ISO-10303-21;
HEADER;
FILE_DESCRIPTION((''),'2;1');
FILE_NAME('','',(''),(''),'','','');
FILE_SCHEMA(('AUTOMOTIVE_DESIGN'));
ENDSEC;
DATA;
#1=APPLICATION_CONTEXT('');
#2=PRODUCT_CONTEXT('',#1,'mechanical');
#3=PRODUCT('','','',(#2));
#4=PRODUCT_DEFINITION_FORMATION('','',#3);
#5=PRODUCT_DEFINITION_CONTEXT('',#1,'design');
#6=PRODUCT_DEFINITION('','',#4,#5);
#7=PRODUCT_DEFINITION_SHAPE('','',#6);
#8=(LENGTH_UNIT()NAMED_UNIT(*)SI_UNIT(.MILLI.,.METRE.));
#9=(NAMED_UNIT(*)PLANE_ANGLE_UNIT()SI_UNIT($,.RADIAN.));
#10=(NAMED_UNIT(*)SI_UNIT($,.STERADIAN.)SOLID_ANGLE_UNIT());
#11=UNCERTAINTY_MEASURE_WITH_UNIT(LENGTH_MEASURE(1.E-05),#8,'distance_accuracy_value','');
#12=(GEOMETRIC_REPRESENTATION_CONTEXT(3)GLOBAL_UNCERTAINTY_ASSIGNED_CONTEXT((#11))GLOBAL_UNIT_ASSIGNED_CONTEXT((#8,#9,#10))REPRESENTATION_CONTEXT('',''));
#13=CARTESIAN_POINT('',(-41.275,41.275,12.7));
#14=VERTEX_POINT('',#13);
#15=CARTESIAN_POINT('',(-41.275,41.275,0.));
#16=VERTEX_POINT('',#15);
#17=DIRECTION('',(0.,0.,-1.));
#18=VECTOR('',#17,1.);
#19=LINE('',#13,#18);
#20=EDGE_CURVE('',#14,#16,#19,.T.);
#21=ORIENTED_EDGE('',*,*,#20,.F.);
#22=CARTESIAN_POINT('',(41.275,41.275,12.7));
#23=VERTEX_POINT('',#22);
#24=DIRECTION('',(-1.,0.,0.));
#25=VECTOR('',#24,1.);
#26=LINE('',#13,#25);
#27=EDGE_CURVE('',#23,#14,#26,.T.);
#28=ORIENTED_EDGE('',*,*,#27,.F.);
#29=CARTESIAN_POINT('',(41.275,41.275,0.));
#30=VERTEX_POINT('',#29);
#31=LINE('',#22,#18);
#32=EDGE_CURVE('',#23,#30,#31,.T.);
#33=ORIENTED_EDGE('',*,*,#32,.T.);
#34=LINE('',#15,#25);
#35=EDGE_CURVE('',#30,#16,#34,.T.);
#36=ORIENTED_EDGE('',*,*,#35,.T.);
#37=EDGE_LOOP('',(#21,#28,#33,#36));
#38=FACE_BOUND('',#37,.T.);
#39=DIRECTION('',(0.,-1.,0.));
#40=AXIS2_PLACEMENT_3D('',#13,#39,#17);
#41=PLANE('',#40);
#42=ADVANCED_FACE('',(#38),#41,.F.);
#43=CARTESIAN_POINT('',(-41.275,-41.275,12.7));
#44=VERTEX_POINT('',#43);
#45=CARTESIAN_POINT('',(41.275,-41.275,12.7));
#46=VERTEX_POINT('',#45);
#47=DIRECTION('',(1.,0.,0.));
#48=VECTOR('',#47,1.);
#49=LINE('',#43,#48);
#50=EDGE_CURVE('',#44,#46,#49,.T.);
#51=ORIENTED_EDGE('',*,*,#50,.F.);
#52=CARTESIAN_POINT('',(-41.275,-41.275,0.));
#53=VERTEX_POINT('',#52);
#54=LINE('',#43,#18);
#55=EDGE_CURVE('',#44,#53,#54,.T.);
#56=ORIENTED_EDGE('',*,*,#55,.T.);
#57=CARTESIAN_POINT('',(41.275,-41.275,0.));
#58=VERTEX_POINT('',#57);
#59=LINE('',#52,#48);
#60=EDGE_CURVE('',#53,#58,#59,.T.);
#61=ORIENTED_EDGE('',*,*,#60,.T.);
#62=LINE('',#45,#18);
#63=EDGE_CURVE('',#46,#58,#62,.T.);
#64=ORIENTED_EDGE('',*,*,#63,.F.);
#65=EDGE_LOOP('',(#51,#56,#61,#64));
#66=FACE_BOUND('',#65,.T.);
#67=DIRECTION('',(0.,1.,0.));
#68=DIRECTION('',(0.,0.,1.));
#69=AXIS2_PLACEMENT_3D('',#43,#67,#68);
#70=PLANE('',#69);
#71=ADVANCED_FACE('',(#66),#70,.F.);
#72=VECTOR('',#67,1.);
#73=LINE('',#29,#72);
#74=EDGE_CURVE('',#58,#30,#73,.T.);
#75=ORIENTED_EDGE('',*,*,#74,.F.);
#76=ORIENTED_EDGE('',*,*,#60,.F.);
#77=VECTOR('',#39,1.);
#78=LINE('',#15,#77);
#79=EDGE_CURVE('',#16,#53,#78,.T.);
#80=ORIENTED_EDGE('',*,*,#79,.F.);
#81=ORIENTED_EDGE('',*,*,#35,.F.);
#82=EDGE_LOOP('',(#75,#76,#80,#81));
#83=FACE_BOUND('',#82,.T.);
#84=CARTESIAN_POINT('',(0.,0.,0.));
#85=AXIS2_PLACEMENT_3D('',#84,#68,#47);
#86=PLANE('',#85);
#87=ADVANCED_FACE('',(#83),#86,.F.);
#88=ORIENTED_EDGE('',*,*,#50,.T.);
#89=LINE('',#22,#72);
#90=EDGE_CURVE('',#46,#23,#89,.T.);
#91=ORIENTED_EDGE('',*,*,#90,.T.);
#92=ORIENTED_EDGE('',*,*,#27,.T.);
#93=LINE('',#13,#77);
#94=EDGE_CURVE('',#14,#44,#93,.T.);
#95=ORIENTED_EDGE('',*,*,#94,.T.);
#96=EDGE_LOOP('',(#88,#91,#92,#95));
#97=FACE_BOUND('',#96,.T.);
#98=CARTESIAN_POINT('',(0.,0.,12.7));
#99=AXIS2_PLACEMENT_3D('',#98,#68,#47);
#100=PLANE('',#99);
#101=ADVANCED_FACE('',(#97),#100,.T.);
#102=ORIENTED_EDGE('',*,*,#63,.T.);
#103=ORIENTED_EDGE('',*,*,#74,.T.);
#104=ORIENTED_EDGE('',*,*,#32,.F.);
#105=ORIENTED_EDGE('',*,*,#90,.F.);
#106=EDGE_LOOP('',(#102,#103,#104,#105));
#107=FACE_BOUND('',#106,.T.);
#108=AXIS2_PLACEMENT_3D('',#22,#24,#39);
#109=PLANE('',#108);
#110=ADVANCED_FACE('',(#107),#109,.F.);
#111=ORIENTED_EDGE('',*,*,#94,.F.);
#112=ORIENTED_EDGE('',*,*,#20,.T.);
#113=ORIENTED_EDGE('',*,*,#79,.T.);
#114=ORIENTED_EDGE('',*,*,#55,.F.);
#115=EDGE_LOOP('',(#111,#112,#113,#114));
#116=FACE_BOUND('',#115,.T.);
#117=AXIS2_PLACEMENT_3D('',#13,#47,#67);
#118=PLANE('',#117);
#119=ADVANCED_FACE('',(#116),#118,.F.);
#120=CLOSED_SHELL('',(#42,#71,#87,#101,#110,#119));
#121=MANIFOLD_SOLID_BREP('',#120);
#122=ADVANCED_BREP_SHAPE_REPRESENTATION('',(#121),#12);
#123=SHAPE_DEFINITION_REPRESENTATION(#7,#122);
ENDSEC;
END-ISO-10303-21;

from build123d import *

# Parameters (mm, degrees)
ESQUISSE1_W        = 82.55
ESQUISSE1_H        = 82.55
BOSS_EXTRU_1_DEPTH = 12.7


with BuildPart() as part:
    # Esquisse1 → Boss.-Extru.1 (new body)
    with BuildSketch(Plane.XY):
        Rectangle(ESQUISSE1_W, ESQUISSE1_H)
    extrude(amount=BOSS_EXTRU_1_DEPTH)


solid = part.part
